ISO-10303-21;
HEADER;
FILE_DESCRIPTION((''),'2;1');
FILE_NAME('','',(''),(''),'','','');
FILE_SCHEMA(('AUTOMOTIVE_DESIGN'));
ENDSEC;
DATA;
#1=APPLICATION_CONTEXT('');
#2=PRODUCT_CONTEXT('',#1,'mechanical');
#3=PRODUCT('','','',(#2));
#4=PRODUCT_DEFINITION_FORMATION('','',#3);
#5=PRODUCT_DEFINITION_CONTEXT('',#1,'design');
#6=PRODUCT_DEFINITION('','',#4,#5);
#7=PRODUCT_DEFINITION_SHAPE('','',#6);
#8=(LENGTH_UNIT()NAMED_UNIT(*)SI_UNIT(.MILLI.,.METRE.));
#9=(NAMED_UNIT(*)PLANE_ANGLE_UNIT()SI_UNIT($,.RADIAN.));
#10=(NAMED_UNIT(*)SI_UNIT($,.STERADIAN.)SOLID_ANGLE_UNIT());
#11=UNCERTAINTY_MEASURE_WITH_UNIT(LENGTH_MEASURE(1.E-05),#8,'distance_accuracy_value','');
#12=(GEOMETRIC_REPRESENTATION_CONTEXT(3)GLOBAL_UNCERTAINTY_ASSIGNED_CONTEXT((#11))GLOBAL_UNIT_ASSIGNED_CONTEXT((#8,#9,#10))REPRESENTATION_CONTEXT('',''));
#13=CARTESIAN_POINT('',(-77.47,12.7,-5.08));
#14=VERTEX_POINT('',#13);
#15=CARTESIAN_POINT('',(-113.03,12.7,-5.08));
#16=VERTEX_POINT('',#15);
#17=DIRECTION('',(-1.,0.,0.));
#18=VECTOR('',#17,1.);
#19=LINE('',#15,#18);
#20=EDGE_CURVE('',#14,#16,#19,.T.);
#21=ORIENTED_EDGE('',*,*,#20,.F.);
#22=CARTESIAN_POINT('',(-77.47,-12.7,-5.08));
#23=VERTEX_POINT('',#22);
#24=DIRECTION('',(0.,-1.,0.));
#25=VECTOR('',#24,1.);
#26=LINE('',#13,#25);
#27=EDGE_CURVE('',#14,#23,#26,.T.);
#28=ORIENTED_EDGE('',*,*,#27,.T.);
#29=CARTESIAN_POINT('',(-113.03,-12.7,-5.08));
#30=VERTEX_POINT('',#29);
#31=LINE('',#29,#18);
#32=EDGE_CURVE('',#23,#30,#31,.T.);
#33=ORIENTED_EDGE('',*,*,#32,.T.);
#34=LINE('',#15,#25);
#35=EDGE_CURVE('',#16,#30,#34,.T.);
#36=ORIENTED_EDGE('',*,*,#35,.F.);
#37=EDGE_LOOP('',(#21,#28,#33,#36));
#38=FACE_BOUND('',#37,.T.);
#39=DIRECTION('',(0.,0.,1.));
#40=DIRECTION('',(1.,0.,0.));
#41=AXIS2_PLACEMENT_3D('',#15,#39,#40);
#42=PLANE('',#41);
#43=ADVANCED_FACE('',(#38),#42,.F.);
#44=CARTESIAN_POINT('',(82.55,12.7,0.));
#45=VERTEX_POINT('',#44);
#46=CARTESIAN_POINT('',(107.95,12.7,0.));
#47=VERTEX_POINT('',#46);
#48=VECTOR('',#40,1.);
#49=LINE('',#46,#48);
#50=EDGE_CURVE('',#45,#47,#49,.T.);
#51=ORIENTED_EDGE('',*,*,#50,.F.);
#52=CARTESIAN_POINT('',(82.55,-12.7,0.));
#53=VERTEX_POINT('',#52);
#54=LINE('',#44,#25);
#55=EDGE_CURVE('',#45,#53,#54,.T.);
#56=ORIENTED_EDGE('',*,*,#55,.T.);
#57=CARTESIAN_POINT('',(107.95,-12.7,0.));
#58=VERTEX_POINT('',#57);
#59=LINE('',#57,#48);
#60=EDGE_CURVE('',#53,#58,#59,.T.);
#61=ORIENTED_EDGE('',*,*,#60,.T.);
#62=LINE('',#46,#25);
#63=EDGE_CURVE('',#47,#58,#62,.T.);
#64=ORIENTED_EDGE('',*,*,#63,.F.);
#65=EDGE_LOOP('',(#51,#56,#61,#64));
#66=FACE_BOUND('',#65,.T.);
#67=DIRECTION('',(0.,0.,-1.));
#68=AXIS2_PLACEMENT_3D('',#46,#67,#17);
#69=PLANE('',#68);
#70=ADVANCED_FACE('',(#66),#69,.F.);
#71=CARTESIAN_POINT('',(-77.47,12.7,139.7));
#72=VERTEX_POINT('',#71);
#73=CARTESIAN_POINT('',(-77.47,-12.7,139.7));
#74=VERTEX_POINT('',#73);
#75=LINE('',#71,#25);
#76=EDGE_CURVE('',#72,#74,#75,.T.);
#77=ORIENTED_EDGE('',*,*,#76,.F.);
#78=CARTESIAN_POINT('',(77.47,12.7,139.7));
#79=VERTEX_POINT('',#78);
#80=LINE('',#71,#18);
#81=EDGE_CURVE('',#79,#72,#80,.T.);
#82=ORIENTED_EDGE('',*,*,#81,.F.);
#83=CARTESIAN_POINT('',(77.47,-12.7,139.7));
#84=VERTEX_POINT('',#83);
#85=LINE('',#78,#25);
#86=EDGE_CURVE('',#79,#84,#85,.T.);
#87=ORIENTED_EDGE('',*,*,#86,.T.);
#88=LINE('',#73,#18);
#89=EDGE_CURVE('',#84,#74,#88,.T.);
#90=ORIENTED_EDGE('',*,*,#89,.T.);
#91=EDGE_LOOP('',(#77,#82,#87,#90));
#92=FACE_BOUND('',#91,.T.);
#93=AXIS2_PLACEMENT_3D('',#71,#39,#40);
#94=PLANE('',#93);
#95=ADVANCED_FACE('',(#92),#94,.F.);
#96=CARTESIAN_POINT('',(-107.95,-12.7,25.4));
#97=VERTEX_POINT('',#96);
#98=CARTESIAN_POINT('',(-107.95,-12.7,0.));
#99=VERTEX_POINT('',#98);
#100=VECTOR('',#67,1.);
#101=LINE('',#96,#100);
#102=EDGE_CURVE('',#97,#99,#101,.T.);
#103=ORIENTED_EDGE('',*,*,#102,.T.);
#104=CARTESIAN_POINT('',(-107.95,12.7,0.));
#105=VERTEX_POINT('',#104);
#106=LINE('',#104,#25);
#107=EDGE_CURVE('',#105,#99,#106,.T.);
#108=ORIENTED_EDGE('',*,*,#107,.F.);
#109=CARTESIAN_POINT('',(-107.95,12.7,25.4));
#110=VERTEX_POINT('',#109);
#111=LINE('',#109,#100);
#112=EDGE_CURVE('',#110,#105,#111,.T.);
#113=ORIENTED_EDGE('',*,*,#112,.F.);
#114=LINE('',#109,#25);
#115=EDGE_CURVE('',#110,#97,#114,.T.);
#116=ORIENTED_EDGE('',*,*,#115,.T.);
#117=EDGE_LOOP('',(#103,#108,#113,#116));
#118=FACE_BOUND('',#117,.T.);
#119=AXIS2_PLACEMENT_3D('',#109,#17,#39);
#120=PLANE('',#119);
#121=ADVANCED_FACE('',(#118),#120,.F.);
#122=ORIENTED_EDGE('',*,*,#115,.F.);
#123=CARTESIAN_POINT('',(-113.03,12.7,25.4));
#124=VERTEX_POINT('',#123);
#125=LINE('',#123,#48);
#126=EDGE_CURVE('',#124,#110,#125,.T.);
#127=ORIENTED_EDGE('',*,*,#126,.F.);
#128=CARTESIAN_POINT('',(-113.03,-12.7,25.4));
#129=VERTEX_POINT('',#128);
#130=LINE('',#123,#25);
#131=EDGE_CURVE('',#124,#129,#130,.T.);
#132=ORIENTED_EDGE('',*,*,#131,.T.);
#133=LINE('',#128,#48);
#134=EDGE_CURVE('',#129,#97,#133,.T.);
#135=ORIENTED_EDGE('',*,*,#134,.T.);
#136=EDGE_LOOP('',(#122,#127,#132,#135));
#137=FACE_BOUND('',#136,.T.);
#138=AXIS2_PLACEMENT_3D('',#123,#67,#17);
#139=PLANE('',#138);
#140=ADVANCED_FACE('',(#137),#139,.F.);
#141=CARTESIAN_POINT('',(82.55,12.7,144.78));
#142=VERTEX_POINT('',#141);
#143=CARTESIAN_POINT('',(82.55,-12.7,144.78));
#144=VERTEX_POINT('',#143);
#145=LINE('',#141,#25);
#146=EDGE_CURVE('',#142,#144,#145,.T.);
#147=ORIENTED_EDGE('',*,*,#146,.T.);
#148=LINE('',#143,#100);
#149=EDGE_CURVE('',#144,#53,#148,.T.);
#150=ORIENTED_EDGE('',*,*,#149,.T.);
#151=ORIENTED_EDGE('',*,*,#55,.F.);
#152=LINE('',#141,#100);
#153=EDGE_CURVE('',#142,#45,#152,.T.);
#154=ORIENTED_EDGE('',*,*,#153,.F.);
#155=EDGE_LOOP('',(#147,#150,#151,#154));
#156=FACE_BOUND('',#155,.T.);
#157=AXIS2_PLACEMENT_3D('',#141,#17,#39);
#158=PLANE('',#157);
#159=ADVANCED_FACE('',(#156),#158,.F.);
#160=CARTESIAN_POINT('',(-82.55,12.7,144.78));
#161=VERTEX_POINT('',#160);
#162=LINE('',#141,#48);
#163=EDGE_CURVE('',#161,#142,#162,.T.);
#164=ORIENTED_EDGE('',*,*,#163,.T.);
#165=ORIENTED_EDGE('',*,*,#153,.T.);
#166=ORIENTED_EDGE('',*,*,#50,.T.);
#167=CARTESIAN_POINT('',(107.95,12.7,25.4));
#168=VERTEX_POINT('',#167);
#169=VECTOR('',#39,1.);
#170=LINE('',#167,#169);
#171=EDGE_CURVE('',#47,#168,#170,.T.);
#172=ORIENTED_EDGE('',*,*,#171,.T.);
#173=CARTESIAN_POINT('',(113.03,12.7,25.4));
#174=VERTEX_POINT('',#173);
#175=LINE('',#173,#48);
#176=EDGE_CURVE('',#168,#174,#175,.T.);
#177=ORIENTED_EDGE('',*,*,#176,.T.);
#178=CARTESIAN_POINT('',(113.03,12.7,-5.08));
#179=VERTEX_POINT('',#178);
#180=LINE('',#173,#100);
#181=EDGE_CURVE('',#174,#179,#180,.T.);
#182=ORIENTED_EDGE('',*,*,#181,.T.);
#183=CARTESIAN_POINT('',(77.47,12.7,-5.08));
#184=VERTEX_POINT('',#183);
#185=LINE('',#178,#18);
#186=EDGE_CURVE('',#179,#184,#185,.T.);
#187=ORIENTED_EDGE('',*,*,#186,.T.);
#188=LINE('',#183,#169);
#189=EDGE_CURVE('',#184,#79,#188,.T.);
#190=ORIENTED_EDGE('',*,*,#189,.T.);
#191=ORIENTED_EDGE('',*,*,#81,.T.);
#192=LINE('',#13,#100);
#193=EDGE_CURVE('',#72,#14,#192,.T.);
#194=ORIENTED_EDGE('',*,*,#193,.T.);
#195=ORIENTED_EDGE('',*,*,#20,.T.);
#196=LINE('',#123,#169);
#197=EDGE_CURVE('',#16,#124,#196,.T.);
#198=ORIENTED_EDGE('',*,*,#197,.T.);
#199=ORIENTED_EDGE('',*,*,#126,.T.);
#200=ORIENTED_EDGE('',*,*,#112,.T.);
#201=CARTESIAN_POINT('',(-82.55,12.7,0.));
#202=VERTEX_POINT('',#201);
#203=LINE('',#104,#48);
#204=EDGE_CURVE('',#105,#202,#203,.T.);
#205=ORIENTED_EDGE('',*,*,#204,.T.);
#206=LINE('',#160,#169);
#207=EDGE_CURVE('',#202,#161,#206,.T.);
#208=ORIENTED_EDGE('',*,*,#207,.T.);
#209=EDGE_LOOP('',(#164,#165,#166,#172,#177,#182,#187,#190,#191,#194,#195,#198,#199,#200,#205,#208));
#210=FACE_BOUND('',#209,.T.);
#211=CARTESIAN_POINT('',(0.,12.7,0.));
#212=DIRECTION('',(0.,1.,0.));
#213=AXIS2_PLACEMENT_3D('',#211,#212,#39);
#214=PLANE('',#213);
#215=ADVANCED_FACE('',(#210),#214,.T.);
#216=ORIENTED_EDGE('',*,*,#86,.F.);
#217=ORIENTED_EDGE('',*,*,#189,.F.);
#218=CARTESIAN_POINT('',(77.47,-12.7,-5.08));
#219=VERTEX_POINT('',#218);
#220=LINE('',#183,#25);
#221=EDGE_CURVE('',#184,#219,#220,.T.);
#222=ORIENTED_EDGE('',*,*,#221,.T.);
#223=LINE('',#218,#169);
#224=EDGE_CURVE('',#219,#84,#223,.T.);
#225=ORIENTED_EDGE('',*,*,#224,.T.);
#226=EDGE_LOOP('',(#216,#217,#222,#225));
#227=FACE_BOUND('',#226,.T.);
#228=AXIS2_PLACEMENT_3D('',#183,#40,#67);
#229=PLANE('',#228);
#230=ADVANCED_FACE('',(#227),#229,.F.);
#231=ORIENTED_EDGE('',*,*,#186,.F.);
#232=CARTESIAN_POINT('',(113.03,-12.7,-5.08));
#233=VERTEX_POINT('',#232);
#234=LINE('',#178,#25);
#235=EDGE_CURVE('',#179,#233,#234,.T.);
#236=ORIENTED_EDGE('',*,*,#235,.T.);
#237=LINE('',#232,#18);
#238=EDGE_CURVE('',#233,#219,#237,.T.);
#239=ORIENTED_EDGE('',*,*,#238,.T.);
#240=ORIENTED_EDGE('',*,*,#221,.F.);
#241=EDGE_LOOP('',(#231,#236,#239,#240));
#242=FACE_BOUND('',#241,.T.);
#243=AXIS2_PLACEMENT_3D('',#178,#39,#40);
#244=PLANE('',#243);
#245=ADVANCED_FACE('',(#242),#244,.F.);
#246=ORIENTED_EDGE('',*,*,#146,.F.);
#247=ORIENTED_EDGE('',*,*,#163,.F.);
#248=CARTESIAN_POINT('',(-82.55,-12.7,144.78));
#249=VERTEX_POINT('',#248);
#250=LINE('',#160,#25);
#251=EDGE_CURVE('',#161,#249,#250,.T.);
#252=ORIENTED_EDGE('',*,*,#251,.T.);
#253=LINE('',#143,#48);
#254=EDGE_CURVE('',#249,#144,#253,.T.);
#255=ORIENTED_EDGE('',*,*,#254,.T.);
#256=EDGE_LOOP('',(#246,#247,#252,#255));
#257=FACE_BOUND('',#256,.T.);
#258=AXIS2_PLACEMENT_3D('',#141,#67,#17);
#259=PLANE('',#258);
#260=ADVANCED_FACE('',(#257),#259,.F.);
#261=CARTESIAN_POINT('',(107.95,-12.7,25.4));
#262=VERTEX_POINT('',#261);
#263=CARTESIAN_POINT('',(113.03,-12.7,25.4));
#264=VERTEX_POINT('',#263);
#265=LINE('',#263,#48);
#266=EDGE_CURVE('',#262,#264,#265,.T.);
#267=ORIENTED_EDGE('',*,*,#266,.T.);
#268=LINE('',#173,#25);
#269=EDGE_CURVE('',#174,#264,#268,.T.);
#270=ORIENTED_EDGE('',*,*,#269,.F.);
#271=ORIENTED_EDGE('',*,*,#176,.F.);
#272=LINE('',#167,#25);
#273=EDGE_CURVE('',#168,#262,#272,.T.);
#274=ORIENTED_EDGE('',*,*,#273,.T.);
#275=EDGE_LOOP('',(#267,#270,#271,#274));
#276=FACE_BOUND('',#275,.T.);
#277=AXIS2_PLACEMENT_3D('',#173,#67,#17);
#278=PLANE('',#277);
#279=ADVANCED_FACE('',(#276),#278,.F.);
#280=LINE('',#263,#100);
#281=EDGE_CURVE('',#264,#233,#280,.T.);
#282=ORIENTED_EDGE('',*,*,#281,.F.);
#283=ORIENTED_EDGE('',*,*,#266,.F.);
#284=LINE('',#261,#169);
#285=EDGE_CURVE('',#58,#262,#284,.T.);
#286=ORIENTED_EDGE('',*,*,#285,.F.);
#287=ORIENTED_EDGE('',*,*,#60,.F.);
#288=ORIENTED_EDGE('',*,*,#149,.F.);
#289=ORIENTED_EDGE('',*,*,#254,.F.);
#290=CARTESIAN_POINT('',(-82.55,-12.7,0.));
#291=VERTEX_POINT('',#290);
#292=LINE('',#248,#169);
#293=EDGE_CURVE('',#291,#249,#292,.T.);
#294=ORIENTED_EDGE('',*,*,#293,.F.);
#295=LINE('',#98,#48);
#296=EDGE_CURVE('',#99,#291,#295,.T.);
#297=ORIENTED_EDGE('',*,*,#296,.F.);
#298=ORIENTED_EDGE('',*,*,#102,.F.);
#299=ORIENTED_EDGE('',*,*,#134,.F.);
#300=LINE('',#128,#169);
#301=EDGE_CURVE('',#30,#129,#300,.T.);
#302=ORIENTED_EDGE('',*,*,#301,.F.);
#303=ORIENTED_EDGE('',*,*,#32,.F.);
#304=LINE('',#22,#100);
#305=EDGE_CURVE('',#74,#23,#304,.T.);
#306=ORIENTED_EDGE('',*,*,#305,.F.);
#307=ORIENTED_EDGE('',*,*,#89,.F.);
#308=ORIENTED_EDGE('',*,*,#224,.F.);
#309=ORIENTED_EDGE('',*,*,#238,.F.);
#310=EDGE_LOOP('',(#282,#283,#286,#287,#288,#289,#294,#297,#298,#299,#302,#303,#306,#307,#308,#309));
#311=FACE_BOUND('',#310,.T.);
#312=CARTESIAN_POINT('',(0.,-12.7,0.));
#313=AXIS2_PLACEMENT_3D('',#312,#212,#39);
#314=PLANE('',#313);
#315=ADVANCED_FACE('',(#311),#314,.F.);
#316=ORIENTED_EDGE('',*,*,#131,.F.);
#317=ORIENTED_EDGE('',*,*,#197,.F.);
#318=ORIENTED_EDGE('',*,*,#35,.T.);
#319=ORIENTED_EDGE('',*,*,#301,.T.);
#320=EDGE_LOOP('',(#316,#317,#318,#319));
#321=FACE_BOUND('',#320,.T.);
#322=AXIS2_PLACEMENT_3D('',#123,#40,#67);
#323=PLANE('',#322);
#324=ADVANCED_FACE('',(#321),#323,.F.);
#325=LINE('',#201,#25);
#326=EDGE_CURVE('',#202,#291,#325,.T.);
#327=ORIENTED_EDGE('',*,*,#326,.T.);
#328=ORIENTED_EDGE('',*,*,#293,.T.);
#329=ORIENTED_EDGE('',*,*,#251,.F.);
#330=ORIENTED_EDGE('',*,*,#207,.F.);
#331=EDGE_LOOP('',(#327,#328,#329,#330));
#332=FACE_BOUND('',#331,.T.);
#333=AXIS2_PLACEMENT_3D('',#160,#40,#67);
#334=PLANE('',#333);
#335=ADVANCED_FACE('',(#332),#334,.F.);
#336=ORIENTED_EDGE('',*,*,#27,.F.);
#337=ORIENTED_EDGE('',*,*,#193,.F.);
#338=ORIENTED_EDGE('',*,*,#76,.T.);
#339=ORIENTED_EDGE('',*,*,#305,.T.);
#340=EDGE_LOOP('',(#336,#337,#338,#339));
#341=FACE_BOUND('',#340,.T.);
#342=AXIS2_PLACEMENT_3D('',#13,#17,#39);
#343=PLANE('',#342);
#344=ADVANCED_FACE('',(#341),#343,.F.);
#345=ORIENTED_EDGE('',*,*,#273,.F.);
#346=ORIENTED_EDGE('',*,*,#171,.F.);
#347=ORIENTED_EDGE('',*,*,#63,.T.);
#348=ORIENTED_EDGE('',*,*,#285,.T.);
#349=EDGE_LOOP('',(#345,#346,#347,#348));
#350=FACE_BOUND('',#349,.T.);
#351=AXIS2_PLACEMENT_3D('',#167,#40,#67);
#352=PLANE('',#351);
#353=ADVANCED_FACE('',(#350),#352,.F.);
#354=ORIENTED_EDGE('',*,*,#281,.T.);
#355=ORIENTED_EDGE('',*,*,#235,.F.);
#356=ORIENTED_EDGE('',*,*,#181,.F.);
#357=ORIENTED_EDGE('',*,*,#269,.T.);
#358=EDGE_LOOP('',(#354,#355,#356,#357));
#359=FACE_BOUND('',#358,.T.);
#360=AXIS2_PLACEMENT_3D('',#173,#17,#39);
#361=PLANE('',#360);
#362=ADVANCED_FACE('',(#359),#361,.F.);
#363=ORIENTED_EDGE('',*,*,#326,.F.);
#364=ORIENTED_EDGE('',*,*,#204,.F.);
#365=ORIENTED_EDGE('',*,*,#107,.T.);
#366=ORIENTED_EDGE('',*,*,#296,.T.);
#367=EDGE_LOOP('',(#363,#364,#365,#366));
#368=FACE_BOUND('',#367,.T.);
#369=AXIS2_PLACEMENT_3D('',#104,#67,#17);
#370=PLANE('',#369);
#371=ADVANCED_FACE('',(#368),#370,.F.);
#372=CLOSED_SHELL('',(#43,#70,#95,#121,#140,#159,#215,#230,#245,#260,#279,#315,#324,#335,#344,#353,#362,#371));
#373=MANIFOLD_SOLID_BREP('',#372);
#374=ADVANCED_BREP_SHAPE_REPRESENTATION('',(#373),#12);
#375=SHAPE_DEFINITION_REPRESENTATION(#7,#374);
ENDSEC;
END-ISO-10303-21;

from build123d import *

# Parameters (mm, degrees)
BOSS_EXTRUDE1_DEPTH = 12.7


with BuildPart() as part:
    # Sketch1 → Boss-Extrude1 (new, symmetric)
    with BuildSketch(Plane(origin=(0, 0, 0), x_dir=(1, 0, 0), z_dir=(0, 1, 0))):
        Polygon((-107.95, -25.4), (-107.95, 0), (-82.55, 0), (-82.55, -144.78), (82.55, -144.78), (82.55, 0), (107.95, 0), (107.95, -25.4), (113.03, -25.4), (113.03, 5.08), (77.47, 5.08), (77.47, -139.7), (-77.47, -139.7), (-77.47, 5.08), (-113.03, 5.08), (-113.03, -25.4), align=None)
    extrude(amount=BOSS_EXTRUDE1_DEPTH, both=True)


solid = part.part
